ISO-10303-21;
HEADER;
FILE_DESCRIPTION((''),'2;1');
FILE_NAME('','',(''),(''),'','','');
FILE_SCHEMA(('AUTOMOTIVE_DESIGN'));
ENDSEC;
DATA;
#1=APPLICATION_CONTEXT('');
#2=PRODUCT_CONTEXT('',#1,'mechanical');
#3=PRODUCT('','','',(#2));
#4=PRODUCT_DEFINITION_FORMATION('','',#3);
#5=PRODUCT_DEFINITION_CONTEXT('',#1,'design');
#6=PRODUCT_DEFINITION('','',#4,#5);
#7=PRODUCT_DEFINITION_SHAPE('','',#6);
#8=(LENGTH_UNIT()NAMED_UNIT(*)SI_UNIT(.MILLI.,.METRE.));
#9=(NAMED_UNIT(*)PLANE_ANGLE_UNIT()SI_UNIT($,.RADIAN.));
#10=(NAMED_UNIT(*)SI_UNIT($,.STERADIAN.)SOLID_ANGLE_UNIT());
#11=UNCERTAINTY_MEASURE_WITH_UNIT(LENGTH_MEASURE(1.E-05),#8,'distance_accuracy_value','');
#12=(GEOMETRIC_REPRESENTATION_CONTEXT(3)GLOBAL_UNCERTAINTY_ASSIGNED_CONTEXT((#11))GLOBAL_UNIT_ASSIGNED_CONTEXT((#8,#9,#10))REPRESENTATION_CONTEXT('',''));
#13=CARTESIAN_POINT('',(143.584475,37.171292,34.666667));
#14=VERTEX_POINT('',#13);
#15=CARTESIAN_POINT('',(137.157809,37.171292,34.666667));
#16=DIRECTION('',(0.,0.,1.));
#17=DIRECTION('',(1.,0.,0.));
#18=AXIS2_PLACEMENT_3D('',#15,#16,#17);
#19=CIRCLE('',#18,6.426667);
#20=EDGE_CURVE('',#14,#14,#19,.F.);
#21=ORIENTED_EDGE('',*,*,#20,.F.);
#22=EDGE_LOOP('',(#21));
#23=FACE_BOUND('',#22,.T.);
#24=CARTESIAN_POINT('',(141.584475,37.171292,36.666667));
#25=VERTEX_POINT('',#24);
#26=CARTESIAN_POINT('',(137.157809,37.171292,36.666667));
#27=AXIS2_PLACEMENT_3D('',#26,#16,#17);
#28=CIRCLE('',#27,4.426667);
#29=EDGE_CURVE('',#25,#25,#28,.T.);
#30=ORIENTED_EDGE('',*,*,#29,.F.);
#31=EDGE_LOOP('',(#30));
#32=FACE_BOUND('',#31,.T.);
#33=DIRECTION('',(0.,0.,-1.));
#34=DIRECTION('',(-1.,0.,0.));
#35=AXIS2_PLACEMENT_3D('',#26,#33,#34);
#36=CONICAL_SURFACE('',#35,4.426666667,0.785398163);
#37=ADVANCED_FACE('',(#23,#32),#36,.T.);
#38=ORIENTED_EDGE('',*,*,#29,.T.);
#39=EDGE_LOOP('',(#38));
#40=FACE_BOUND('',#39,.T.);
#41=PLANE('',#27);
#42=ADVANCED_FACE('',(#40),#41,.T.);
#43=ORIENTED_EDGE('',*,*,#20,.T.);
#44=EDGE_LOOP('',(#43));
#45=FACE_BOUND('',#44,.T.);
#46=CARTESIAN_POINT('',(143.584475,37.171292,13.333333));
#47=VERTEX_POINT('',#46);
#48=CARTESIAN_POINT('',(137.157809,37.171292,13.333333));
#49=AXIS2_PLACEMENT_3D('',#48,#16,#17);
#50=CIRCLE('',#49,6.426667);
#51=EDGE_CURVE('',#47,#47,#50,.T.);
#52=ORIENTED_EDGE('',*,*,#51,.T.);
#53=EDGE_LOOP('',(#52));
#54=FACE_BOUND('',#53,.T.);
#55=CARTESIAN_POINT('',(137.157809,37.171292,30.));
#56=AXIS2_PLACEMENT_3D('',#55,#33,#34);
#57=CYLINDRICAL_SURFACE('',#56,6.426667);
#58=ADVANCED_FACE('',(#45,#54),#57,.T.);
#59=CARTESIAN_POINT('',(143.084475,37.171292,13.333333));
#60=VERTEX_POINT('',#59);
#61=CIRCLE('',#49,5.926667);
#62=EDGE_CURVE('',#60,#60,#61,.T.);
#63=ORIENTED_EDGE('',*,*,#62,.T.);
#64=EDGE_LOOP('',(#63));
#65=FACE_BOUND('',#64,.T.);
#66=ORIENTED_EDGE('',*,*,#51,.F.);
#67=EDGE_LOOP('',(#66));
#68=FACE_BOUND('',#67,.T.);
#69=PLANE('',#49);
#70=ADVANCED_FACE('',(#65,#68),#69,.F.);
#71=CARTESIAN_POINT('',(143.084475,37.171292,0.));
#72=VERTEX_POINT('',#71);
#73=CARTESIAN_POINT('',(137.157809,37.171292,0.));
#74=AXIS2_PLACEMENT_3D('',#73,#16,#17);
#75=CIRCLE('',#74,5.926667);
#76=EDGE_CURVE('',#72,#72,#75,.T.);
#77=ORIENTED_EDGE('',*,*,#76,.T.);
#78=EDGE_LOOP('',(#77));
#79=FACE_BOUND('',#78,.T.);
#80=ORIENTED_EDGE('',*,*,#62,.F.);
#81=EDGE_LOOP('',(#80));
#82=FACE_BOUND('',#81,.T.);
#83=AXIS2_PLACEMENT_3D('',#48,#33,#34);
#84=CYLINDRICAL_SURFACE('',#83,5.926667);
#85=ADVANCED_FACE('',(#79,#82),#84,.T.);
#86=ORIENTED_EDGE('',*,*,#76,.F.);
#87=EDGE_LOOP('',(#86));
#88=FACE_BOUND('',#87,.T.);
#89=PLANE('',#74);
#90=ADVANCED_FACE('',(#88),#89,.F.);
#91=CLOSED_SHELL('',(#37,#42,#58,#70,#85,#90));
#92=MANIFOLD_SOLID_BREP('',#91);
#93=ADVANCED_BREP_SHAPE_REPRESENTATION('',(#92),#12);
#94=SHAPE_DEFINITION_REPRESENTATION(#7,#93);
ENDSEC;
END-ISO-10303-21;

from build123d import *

# Parameters (mm, degrees)
SKETCH1_R           = 5.926666667
BOSS_EXTRUDE1_DEPTH = 13.333333333
SKETCH2_R           = 6.426666667
BOSS_EXTRUDE2_DEPTH = 16.666666667
SKETCH3_R           = 6.426666667
BOSS_EXTRUDE3_DEPTH = 6.666666667
CHAMFER1_SIZE       = 2


with BuildPart() as part:
    # Sketch1 → Boss-Extrude1 (new body)
    with BuildSketch(Plane.XY):
        with Locations((137.157808662, 37.171292193)):
            Circle(SKETCH1_R)
    extrude(amount=BOSS_EXTRUDE1_DEPTH)

    # Sketch2 → Boss-Extrude2 (add)
    with BuildSketch(Plane.XY.offset(13.333333333)):
        with Locations((137.157808662, 37.171292193)):
            Circle(SKETCH2_R)
    extrude(amount=BOSS_EXTRUDE2_DEPTH)

    # Sketch3 → Boss-Extrude3 (add)
    with BuildSketch(Plane.XY.offset(30)):
        with Locations((137.157808662, 37.171292193)):
            Circle(SKETCH3_R)
    extrude(amount=BOSS_EXTRUDE3_DEPTH)

    # Chamfer1
    chamfer1_edges = [part.edges().sort_by_distance(p)[0] for p in [
        (130.731141995, 37.171292193, 36.666666667),
    ]]
    chamfer(chamfer1_edges, length=CHAMFER1_SIZE)


solid = part.part
